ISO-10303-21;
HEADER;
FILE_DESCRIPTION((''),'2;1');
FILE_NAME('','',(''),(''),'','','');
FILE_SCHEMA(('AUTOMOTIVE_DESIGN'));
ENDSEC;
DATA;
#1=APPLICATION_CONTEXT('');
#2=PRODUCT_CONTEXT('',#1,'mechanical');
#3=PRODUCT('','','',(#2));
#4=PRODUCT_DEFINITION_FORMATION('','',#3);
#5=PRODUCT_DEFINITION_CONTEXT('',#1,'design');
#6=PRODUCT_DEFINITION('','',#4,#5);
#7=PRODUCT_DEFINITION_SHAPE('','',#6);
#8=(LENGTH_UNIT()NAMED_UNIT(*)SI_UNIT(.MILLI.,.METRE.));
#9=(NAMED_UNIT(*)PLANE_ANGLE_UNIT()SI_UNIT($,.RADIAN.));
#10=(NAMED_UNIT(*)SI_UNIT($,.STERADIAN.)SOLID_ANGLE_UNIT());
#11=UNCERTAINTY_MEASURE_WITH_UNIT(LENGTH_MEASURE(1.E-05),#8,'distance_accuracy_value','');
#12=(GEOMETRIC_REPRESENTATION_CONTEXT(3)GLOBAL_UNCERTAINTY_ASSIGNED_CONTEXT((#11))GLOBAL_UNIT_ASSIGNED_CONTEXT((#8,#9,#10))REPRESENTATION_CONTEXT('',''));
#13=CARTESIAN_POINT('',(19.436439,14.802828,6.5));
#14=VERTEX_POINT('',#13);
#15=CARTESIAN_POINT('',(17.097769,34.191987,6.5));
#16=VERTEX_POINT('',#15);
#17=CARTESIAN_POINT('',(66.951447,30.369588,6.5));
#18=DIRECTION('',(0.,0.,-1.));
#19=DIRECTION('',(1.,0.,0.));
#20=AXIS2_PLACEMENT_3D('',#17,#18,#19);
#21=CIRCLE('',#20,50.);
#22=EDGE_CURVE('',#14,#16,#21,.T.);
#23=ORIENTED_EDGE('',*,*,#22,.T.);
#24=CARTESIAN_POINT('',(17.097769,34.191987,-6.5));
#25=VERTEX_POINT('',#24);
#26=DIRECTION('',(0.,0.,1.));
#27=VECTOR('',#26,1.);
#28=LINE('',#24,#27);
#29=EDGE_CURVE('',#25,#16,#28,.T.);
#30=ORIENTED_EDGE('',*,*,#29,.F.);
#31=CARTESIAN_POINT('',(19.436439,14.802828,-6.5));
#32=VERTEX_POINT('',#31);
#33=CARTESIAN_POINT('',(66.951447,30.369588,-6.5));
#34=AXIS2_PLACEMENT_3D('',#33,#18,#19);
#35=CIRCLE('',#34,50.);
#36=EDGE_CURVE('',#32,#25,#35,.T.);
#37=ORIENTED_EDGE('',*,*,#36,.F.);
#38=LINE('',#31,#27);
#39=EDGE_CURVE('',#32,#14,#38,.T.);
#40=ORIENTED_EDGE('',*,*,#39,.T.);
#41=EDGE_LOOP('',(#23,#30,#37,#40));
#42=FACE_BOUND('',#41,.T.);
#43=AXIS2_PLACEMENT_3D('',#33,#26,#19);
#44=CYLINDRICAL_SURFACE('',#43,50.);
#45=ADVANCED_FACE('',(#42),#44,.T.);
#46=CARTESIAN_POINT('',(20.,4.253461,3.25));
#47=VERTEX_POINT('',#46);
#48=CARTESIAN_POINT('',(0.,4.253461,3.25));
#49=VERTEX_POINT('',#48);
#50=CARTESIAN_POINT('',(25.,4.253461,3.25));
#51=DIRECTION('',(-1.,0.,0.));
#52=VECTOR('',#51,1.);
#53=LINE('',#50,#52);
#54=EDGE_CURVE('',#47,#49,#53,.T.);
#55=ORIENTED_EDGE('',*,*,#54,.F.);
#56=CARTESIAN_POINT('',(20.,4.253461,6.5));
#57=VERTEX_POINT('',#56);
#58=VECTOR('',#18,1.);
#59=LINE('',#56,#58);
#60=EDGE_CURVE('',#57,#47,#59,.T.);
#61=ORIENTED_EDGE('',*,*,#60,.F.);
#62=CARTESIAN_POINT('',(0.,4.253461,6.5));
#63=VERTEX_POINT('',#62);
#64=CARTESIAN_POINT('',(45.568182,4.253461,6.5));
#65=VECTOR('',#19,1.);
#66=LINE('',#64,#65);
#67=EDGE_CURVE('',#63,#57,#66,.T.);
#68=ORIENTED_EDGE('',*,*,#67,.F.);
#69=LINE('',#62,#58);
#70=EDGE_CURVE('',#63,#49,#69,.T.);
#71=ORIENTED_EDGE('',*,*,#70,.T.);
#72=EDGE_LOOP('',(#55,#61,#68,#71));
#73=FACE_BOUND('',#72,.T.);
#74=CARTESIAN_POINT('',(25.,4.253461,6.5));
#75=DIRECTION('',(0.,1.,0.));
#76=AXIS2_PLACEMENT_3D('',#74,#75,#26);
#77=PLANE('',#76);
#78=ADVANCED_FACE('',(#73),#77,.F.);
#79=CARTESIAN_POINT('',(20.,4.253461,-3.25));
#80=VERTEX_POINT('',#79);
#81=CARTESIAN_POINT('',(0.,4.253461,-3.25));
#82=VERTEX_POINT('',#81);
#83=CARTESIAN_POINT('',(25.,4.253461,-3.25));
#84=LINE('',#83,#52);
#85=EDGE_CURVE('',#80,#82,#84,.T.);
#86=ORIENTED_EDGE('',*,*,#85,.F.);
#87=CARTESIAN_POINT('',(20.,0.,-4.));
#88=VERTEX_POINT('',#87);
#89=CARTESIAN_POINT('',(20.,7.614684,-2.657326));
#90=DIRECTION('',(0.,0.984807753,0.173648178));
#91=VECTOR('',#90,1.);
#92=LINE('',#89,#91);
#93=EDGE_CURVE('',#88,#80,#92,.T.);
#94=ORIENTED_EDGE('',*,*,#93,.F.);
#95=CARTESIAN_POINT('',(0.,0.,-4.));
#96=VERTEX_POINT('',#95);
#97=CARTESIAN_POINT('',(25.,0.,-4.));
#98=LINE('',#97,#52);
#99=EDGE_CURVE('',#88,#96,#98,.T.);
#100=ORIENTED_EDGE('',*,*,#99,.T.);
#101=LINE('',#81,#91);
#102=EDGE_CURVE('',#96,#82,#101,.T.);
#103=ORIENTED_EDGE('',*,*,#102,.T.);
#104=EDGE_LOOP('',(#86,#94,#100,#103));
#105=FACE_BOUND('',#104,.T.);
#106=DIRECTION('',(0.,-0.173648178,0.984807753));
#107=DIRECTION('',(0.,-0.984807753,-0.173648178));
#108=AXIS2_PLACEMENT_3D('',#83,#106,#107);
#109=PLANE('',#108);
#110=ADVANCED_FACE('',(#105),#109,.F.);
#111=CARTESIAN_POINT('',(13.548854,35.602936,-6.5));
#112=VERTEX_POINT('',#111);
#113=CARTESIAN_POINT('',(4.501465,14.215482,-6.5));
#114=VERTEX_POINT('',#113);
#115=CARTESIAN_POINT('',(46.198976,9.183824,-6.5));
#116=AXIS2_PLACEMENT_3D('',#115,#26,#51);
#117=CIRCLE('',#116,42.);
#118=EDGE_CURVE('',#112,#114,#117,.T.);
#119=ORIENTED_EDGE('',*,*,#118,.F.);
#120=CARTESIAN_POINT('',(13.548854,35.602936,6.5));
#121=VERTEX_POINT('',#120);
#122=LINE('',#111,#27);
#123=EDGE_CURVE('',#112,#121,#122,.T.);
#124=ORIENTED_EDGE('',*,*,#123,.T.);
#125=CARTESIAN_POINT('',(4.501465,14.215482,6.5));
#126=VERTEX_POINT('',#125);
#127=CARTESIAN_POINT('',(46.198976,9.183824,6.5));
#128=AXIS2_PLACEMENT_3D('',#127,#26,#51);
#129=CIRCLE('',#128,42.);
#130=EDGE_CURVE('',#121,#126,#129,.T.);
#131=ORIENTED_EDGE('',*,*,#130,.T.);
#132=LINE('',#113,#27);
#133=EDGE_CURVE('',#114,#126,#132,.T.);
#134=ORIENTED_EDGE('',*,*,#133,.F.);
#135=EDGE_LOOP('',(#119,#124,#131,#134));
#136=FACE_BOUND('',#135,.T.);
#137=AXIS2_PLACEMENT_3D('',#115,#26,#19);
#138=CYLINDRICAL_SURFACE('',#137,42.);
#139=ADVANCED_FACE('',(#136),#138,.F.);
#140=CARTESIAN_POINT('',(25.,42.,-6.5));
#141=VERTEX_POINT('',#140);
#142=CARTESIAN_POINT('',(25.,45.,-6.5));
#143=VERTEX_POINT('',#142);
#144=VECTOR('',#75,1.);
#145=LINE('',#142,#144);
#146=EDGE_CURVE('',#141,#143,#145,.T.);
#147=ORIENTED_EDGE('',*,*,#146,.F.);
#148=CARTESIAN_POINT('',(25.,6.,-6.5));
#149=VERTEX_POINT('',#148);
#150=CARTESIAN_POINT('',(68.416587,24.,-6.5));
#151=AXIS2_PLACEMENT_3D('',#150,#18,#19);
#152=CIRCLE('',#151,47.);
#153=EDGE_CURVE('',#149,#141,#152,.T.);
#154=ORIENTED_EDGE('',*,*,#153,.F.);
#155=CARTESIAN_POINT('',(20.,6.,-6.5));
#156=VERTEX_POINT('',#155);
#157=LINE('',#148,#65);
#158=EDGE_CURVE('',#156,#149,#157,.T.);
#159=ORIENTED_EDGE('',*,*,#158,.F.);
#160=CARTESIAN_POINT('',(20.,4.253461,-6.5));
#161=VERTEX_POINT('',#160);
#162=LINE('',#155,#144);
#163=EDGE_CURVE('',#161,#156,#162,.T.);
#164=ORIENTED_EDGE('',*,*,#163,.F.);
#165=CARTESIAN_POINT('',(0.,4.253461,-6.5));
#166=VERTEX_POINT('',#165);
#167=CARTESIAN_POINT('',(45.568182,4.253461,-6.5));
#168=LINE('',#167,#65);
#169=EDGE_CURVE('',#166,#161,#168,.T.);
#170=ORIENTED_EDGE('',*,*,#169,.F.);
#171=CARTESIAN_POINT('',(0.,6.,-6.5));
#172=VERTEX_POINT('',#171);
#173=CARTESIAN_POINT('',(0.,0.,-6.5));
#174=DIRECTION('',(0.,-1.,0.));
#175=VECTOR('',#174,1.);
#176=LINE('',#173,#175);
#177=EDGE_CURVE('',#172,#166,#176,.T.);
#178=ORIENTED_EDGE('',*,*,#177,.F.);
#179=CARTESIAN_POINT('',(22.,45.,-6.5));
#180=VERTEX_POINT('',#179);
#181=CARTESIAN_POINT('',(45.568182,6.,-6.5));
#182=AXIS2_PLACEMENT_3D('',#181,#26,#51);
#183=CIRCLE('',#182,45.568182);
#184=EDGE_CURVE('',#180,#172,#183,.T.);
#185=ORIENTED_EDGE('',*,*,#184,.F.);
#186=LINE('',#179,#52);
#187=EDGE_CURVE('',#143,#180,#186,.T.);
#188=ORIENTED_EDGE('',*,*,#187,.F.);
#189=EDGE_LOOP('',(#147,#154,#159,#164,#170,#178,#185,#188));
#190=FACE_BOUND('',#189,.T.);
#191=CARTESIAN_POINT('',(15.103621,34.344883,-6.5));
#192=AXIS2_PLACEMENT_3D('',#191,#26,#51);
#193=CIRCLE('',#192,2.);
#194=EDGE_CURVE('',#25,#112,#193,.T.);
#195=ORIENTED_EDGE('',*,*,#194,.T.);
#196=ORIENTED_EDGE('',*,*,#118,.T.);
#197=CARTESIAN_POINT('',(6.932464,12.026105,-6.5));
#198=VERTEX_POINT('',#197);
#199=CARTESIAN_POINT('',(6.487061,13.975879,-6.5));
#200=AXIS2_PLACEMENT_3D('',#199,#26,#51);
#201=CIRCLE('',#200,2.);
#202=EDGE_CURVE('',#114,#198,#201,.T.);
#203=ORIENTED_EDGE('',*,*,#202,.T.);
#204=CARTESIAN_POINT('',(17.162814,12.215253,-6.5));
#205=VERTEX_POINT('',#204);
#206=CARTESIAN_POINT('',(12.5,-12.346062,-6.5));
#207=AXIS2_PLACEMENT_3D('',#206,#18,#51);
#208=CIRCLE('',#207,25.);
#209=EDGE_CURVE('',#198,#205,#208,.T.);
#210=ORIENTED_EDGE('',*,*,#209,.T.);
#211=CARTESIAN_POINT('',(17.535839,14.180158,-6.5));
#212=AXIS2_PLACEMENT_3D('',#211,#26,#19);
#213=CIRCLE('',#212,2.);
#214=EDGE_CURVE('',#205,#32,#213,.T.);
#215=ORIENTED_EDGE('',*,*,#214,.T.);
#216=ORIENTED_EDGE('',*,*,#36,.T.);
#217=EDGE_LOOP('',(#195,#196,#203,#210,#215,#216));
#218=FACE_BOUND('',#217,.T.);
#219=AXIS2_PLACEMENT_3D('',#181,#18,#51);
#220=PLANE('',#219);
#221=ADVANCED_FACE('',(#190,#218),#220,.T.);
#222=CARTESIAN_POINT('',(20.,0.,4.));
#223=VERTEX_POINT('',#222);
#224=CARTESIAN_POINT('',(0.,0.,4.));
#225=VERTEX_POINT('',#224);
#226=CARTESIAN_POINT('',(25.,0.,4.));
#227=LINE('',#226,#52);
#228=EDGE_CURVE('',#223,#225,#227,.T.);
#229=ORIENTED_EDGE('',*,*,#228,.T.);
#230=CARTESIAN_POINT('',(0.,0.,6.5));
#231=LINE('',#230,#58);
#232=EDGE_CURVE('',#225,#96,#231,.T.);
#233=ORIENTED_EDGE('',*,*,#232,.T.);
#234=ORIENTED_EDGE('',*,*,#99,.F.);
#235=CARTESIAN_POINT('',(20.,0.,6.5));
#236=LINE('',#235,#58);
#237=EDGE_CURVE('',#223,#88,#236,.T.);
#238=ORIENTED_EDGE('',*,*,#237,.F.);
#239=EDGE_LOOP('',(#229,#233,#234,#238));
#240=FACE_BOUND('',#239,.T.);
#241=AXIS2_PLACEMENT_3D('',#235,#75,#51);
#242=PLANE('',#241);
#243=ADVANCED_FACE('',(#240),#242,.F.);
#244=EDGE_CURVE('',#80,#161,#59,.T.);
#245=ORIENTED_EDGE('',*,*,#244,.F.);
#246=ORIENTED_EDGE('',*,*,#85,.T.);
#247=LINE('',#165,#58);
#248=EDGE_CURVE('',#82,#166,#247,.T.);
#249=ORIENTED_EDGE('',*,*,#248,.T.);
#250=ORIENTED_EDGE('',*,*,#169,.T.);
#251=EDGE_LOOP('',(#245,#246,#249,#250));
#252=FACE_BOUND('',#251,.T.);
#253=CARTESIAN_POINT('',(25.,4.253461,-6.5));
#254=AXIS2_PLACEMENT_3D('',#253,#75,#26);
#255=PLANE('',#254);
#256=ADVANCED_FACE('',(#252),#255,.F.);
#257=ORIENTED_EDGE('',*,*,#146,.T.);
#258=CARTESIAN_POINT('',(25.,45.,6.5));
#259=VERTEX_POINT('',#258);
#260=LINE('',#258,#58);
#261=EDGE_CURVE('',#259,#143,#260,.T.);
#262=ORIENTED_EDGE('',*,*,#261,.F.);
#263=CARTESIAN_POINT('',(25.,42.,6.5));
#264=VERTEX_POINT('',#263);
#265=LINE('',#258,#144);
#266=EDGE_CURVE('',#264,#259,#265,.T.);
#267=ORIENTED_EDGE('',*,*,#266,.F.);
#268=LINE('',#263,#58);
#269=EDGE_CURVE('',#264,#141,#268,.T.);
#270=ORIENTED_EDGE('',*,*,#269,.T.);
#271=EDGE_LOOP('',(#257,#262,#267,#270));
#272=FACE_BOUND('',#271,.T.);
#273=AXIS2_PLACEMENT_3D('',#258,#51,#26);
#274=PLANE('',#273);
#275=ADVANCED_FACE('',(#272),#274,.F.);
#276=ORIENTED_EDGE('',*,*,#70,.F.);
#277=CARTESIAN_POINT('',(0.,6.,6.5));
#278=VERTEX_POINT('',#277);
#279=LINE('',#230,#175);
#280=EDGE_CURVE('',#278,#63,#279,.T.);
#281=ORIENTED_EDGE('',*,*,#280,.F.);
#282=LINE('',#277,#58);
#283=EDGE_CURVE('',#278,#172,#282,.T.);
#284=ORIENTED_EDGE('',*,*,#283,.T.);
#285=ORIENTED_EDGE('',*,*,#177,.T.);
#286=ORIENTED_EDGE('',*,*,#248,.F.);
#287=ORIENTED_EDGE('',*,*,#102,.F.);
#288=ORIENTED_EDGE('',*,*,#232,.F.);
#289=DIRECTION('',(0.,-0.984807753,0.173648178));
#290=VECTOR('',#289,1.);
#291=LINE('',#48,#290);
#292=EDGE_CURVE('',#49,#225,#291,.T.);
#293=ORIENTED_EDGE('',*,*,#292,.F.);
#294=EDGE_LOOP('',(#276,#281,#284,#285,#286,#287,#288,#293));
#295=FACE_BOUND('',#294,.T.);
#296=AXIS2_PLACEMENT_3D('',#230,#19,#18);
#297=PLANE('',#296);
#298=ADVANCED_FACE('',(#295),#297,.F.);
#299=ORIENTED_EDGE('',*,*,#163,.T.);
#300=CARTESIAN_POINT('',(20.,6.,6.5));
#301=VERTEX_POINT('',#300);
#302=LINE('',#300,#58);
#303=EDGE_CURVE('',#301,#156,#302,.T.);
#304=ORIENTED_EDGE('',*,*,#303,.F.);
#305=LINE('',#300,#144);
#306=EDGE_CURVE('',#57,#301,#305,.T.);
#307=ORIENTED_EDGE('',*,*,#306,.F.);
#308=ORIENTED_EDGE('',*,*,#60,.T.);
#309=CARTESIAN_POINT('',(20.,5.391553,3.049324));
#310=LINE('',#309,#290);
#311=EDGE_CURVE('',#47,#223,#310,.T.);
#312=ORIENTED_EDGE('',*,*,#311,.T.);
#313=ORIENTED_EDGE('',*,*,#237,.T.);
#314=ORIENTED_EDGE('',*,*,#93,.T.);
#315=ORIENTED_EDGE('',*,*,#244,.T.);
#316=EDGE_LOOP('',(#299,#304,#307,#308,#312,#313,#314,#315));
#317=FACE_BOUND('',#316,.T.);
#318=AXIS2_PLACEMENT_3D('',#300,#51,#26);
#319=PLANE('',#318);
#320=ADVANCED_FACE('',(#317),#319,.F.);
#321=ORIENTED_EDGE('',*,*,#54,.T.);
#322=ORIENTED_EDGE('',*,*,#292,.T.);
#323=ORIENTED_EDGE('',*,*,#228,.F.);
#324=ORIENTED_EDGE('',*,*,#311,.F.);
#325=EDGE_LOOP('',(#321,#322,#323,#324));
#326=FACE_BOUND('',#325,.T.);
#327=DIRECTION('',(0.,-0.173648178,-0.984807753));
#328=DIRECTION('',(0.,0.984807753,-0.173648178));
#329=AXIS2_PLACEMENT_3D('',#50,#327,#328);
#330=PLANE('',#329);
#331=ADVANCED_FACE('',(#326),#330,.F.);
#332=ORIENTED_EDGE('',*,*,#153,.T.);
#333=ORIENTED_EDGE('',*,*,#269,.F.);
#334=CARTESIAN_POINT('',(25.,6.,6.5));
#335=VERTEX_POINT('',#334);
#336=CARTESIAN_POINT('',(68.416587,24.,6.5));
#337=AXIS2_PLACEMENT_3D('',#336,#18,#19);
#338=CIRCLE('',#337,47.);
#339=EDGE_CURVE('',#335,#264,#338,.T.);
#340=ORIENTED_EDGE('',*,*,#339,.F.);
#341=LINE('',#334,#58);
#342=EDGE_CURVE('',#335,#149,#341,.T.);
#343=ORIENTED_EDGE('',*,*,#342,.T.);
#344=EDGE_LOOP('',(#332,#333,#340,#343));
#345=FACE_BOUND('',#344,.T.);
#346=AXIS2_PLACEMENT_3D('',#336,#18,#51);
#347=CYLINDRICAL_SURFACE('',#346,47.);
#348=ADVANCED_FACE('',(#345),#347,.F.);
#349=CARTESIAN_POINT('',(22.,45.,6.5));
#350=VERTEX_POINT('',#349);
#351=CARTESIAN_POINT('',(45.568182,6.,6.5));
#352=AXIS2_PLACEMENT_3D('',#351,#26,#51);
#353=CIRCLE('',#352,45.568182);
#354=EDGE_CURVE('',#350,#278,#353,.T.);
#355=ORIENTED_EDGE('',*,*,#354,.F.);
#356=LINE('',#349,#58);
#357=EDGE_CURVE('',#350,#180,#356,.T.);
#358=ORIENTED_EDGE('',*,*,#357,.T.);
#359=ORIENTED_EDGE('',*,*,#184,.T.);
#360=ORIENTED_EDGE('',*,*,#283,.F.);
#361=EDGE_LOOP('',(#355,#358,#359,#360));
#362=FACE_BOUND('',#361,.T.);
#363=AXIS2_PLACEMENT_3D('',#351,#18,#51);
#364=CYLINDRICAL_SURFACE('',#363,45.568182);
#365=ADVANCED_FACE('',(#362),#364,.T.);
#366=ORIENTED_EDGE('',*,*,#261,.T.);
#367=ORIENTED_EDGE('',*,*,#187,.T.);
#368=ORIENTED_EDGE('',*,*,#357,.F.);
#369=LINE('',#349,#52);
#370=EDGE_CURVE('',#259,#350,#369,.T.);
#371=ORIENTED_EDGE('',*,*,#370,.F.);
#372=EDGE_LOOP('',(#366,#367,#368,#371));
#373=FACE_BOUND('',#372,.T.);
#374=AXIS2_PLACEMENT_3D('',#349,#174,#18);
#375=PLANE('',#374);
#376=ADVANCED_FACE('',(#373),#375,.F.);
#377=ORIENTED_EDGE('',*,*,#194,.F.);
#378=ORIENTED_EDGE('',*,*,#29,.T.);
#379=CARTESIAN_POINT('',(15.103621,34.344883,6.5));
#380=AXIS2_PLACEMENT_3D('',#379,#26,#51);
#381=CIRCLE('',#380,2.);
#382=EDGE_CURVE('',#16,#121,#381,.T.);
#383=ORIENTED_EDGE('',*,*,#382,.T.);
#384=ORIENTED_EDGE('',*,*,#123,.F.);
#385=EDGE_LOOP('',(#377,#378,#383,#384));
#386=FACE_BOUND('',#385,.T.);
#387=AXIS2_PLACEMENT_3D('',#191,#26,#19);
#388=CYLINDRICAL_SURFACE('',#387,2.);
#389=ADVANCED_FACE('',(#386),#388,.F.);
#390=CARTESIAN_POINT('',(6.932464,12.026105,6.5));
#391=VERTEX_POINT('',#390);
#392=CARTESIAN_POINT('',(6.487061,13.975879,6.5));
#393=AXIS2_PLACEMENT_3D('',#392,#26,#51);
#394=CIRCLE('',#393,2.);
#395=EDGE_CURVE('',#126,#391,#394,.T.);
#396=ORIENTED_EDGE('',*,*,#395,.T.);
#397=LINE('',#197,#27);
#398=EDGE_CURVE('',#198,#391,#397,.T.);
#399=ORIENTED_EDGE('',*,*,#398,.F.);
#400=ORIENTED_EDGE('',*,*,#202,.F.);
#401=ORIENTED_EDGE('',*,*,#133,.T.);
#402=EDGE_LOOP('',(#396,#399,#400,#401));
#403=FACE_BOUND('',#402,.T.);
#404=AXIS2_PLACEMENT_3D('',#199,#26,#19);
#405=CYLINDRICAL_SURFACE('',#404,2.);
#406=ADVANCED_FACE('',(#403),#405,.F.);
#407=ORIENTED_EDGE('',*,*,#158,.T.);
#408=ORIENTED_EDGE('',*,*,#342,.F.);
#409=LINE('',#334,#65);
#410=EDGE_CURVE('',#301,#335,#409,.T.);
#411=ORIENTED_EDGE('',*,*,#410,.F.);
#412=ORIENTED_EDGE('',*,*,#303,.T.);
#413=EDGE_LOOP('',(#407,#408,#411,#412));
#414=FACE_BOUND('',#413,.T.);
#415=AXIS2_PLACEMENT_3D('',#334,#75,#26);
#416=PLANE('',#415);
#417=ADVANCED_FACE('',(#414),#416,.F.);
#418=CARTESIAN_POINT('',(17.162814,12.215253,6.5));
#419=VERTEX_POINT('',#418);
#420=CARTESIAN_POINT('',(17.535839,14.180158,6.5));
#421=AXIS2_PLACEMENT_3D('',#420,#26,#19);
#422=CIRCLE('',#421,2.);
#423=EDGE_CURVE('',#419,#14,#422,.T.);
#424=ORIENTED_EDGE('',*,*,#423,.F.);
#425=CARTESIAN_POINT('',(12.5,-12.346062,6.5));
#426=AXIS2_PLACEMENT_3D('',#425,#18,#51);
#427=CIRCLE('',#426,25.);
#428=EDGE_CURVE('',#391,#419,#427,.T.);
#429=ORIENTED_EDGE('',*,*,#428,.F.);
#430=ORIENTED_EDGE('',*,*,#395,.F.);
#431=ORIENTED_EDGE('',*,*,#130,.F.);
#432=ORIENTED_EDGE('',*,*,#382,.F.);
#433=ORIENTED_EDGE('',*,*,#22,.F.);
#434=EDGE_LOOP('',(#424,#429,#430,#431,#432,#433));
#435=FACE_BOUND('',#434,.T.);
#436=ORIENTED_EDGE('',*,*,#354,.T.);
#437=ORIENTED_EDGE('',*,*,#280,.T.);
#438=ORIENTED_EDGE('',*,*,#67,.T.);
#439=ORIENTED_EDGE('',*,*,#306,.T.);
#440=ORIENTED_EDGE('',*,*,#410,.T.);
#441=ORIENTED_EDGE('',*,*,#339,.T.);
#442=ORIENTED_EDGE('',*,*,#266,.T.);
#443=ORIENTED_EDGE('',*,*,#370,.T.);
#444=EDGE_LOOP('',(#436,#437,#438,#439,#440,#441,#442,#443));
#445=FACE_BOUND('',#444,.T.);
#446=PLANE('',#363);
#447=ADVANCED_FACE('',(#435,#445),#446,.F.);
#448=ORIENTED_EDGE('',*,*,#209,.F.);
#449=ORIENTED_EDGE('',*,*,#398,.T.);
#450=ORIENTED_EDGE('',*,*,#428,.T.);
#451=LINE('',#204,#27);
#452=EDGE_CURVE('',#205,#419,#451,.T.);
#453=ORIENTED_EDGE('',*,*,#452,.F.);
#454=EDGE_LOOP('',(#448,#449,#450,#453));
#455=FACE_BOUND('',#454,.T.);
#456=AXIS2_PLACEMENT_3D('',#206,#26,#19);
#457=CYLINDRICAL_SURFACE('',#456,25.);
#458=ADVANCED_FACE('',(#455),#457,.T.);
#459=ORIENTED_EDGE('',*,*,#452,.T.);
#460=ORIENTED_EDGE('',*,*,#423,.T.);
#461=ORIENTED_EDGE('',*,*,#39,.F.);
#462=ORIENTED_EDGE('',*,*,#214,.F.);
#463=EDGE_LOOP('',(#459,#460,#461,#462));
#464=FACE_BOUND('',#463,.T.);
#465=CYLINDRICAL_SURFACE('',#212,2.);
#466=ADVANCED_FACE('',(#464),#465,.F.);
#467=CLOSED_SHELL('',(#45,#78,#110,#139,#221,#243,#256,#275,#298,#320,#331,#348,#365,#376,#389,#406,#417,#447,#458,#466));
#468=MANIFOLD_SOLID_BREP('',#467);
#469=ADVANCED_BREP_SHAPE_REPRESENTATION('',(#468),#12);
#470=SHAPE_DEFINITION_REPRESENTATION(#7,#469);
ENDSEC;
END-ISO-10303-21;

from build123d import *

# Parameters (mm, degrees)
EXTRUDE_1_DEPTH     = 6.5
CUT_EXTRUDE_1_DEPTH = 52.886896226
CUT_EXTRUDE_2_DEPTH = 54.09425581


with BuildPart() as part:
    # 草图1 → 凸台-拉伸1 (new, symmetric)
    with BuildSketch(Plane.XY):
        with BuildLine():
            Line((0, 0), (0, 6))
            ThreePointArc((0, 6), (5.87927664, 28.388613177), (22, 45))
            Line((22, 45), (25, 45))
            Line((25, 45), (25, 42))
            ThreePointArc((25, 42), (21.416586692, 24), (25, 6))
            Line((25, 6), (20, 6))
            Line((20, 6), (20, 0))
            Line((20, 0), (0, 0))
        make_face()
    extrude(amount=EXTRUDE_1_DEPTH, both=True)

    # 草图2 → 切除-拉伸1 (cut, through all)
    with BuildSketch(Plane.ZY):
        Polygon((6.5, 4.253461365), (3.25, 4.253461365), (4, 0), (6.5, 0), align=None)
        Polygon((-4, 0), (-6.5, 0), (-6.5, 4.253461365), (-3.25, 4.253461365), align=None)
    extrude(amount=-CUT_EXTRUDE_1_DEPTH, mode=Mode.SUBTRACT)

    # 草图3 → 切除-拉伸2 (cut, through all)
    with BuildSketch(Plane.XY.offset(6.5)):
        with BuildLine():
            ThreePointArc((6.932463861, 12.026105414), (12.037858369, 12.649666202), (17.162813582, 12.215252555))
            ThreePointArc((17.162813582, 12.215252555), (19.038256161, 12.860028298), (19.436438993, 14.802828097))
            ThreePointArc((19.436438993, 14.802828097), (17.311240055, 24.38211379), (17.097768587, 34.191987125))
            ThreePointArc((17.097768587, 34.191987125), (15.842511021, 36.203388469), (13.548853711, 35.602936079))
            ThreePointArc((13.548853711, 35.602936079), (7.517605312, 25.546939135), (4.501465211, 14.215481563))
            ThreePointArc((4.501465211, 14.215481563), (5.148632601, 12.489739676), (6.932463861, 12.026105414))
        make_face()
    extrude(amount=-CUT_EXTRUDE_2_DEPTH, mode=Mode.SUBTRACT)


solid = part.part
